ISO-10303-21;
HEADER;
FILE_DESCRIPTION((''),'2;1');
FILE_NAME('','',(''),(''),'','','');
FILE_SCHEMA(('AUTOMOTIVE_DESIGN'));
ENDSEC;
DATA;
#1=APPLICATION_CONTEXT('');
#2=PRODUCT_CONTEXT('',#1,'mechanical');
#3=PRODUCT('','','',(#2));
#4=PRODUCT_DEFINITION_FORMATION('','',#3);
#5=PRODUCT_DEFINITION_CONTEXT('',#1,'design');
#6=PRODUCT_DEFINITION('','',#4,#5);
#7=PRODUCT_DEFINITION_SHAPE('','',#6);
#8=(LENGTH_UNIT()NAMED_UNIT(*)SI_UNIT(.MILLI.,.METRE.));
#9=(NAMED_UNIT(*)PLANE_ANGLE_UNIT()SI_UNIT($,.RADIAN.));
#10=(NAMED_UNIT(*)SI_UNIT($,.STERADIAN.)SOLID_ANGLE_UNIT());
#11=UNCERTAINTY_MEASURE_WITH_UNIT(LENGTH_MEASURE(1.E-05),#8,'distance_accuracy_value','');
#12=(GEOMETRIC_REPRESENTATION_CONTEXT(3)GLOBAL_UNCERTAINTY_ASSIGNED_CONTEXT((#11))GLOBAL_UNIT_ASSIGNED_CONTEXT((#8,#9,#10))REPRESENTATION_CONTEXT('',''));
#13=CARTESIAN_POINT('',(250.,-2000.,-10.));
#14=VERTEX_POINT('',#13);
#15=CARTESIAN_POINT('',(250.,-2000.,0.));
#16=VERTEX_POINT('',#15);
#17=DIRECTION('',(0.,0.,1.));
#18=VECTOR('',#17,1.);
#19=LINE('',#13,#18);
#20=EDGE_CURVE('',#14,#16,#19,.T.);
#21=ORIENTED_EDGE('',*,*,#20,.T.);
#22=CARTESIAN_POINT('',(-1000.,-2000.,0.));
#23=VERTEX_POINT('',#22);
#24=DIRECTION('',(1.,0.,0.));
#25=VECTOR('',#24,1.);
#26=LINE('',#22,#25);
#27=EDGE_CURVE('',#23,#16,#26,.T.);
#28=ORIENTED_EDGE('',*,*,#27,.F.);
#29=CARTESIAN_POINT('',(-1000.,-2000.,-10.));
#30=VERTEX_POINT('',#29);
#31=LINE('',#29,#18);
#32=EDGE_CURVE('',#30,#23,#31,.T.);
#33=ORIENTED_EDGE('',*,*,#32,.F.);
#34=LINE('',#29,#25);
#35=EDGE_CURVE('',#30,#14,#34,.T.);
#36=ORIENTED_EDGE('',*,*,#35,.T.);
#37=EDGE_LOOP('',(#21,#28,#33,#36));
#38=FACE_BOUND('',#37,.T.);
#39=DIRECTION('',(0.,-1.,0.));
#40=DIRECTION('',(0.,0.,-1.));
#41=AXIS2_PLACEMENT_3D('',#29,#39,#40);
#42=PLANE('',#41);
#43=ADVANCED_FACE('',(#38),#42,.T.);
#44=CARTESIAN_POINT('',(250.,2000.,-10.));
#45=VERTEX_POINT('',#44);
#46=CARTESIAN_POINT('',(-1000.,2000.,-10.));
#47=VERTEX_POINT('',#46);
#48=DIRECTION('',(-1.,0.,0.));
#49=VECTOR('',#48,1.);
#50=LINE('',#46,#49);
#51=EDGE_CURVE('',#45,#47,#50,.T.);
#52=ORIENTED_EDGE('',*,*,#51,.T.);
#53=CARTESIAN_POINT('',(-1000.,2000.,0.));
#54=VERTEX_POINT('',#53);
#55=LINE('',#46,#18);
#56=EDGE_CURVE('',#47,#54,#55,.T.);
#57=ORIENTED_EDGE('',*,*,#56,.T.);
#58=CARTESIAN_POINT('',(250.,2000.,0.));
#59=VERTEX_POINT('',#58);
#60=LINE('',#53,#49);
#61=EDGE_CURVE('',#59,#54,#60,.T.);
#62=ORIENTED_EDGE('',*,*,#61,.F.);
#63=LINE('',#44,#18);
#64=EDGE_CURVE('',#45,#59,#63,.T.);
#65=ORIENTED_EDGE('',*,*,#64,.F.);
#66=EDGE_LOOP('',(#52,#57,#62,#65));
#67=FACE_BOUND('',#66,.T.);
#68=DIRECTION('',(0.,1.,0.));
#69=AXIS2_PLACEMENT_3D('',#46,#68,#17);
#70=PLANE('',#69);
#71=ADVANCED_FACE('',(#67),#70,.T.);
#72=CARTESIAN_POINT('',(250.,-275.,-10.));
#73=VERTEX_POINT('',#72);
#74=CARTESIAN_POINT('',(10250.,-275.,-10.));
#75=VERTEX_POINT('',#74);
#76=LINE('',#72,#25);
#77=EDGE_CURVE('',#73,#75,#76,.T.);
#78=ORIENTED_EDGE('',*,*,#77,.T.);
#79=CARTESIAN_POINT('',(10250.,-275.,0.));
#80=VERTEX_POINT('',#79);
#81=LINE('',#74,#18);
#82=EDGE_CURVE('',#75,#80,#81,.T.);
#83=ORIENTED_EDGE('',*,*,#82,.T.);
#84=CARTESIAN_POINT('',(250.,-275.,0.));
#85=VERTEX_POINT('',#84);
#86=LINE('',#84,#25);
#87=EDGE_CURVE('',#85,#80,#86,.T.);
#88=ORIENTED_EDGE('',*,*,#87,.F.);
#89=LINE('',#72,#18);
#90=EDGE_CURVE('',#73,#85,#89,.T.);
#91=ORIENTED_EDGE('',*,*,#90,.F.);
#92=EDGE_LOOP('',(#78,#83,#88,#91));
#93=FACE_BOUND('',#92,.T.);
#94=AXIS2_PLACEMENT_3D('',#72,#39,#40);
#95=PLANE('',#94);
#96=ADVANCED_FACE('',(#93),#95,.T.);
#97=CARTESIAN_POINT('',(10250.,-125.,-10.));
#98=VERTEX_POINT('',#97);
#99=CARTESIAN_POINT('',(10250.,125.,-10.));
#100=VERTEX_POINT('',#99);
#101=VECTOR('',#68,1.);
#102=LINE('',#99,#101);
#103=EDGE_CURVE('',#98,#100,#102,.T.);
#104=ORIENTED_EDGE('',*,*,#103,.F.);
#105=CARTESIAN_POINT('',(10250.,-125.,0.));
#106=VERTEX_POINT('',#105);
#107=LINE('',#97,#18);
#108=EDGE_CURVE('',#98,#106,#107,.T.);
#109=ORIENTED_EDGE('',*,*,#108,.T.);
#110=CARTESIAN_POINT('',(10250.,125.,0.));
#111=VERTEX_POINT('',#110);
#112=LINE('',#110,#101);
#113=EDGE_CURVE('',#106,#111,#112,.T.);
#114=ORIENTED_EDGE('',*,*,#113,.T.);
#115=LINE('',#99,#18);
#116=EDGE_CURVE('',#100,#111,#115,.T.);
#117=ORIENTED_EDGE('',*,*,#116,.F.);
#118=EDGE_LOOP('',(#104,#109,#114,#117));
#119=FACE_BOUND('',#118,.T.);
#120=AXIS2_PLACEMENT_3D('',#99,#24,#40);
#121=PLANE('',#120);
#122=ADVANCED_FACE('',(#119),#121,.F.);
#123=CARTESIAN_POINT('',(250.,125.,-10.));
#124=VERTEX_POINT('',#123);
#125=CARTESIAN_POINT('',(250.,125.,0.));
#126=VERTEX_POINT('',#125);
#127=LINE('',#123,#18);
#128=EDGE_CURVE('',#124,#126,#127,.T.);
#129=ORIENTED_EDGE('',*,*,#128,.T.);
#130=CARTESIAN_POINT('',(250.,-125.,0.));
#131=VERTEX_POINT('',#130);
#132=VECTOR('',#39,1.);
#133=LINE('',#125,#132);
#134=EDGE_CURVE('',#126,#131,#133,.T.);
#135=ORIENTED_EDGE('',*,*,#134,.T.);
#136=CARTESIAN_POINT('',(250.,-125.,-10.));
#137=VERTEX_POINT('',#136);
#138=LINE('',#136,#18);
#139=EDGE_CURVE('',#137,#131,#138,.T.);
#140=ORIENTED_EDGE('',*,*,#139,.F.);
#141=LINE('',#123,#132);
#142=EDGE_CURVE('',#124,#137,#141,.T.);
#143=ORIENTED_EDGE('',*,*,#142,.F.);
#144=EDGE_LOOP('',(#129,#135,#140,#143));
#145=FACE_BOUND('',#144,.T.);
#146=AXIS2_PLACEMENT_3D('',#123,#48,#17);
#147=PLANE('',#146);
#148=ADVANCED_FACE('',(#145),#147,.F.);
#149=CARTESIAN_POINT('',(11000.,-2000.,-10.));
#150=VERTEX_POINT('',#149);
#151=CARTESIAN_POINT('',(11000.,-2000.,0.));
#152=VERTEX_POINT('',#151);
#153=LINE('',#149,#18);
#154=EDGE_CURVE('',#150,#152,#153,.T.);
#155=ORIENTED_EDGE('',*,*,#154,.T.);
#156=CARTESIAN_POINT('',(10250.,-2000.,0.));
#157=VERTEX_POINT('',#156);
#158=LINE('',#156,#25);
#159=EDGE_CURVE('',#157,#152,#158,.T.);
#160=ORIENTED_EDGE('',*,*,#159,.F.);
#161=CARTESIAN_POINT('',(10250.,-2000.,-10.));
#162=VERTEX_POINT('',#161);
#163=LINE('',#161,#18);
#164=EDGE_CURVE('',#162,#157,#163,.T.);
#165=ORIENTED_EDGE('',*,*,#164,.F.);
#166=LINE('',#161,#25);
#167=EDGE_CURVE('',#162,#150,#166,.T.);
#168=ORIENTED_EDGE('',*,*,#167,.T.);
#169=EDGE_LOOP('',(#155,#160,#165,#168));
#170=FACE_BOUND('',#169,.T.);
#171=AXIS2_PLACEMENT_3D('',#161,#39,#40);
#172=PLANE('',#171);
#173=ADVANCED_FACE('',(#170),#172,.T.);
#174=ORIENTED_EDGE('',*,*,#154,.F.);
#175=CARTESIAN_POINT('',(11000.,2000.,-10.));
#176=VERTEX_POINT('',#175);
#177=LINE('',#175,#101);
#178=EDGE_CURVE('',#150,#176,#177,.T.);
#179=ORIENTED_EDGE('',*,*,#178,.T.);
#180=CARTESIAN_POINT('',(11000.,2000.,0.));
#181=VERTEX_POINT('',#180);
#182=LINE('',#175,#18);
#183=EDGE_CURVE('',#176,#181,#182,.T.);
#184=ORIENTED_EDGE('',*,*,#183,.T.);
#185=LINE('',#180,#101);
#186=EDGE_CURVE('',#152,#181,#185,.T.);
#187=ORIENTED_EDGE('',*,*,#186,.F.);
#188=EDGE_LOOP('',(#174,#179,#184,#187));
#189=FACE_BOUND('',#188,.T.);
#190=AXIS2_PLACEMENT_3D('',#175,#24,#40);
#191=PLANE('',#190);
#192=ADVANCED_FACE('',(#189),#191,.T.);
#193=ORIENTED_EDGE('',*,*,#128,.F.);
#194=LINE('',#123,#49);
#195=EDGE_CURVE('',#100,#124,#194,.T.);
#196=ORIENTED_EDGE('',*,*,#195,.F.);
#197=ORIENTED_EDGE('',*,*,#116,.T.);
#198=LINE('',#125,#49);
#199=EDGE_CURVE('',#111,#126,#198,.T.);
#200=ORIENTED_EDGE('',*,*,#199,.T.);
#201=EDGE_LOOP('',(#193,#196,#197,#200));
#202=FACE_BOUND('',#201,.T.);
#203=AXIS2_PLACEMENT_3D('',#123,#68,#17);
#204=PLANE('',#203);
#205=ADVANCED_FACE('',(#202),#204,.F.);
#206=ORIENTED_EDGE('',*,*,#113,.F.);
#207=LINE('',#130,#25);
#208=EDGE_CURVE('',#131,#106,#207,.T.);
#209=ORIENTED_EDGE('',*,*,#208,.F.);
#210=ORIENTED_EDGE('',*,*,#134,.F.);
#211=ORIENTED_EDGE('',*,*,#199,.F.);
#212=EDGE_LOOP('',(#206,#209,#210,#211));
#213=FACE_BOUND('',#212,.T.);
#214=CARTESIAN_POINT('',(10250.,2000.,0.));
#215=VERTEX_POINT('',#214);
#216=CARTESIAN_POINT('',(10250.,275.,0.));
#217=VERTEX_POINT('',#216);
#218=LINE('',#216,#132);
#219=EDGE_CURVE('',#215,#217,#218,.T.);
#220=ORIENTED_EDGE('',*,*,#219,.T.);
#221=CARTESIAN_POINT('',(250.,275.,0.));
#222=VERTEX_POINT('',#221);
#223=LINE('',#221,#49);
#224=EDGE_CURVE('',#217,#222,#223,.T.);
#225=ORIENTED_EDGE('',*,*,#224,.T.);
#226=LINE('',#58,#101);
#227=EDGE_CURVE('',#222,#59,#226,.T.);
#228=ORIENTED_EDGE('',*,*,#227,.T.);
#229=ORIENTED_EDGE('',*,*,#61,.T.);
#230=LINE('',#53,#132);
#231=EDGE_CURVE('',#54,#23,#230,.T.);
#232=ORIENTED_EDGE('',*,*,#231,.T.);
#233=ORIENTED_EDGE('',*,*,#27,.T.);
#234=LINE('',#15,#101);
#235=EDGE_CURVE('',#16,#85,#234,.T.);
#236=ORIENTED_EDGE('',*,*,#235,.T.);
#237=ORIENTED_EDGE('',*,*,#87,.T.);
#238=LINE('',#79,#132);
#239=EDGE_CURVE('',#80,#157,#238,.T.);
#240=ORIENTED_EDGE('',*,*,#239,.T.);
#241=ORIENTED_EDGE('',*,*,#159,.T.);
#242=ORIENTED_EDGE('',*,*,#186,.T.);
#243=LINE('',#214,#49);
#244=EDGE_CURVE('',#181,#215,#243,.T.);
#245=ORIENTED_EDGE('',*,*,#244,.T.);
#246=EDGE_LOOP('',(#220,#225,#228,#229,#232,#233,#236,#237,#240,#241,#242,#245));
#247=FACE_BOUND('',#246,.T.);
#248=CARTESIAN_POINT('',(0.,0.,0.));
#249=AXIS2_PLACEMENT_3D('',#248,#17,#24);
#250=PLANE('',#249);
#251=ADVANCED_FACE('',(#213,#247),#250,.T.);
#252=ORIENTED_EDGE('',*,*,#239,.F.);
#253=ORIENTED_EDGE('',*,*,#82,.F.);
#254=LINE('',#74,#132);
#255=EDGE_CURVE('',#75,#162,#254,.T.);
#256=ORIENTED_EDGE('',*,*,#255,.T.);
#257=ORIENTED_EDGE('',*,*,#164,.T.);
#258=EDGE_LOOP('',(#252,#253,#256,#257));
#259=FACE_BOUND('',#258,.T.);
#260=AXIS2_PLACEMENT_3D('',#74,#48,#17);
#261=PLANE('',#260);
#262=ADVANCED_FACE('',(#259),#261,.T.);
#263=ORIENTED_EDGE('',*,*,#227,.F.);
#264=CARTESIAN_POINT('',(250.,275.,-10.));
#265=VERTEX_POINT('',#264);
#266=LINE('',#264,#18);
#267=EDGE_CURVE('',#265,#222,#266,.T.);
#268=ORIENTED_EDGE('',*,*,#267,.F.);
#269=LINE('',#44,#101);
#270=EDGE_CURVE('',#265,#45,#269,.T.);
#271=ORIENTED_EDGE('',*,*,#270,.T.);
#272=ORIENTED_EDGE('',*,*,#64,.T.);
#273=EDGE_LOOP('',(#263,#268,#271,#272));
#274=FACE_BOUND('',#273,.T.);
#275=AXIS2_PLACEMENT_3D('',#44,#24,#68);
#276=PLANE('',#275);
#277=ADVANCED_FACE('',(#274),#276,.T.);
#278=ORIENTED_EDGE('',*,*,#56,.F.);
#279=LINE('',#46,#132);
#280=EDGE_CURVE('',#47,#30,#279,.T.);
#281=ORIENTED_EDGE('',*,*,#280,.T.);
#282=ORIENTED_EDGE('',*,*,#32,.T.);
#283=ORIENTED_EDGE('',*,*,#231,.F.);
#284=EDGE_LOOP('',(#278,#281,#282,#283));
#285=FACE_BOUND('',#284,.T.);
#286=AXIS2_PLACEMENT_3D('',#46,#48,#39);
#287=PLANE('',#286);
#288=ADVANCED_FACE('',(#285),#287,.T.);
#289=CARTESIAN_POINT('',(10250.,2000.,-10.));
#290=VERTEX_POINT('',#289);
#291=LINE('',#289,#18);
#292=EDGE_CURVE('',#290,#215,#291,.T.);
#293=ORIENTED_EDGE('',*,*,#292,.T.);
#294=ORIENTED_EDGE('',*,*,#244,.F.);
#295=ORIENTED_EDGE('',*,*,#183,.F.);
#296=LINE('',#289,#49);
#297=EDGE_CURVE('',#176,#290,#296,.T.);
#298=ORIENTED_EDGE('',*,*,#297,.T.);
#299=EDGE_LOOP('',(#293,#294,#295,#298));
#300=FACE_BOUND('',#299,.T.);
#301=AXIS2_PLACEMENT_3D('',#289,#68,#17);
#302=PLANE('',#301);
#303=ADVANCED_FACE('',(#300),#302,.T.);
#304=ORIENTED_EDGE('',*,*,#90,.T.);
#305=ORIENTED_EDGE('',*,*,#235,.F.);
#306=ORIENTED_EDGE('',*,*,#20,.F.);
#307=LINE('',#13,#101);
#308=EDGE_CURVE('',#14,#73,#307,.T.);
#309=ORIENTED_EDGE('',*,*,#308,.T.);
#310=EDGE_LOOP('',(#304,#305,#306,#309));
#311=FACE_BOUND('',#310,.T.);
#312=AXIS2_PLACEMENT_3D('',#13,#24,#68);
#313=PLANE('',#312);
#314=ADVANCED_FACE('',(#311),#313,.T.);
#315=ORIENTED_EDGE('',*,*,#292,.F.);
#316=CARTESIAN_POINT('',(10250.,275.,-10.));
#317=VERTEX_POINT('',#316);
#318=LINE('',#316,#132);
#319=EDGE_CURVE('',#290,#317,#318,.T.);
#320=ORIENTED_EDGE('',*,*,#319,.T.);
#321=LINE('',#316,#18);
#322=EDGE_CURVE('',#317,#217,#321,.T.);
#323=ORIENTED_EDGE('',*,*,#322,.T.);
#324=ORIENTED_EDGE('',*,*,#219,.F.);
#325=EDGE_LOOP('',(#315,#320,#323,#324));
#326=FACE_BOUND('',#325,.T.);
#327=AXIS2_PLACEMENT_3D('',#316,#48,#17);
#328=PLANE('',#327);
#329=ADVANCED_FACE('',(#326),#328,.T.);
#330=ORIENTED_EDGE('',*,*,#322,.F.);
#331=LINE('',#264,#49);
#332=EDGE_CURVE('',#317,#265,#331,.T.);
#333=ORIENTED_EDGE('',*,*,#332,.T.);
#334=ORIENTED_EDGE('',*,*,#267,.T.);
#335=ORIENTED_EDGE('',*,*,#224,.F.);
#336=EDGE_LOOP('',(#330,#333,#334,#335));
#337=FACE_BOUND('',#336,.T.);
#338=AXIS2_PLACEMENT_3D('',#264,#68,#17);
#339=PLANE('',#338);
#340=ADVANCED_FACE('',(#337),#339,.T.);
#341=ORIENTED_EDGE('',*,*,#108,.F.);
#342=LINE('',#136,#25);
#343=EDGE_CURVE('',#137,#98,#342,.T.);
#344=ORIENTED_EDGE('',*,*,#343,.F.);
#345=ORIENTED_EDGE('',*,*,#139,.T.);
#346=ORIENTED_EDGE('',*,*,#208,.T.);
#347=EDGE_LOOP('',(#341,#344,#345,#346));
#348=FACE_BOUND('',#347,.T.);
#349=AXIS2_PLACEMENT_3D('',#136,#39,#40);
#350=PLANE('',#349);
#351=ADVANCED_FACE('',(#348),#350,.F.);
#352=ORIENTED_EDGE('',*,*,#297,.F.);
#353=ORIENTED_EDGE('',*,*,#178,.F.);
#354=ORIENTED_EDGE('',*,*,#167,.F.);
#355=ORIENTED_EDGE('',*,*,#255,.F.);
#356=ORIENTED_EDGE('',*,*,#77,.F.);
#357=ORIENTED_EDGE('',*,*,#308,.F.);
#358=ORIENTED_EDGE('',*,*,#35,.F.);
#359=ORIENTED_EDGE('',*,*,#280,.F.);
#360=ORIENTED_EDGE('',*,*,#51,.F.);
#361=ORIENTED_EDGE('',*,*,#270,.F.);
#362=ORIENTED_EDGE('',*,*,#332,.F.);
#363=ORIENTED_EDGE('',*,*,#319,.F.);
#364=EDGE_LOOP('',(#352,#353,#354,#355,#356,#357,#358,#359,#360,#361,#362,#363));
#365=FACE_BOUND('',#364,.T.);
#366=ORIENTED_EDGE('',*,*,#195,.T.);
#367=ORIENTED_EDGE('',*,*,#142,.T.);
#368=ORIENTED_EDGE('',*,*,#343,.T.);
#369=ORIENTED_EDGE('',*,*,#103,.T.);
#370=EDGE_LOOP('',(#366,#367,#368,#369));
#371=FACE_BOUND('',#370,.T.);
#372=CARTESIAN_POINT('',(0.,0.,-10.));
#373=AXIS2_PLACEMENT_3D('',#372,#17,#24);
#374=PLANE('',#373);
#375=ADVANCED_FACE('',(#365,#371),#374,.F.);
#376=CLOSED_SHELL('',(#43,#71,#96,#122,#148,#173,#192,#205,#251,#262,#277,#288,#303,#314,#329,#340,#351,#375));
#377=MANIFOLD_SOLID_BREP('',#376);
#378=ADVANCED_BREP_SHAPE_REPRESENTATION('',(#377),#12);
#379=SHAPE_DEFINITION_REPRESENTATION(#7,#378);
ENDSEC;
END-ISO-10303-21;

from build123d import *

# Parameters (mm, degrees)
SKETCH2_W           = 10000
SKETCH2_H           = 250
BOSS_EXTRUDE1_DEPTH = 10


with BuildPart() as part:
    # Sketch2 → Boss-Extrude1 (new body)
    with BuildSketch(Plane.XY):
        Polygon((250, 2000), (250, 275), (10250, 275), (10250, 2000), (11000, 2000), (11000, -2000), (10250, -2000), (10250, -275), (250, -275), (250, -2000), (-1000, -2000), (-1000, 2000), align=None)
        with Locations((5250, 0)):
            Rectangle(SKETCH2_W, SKETCH2_H, mode=Mode.SUBTRACT)
    extrude(amount=-BOSS_EXTRUDE1_DEPTH)


solid = part.part
